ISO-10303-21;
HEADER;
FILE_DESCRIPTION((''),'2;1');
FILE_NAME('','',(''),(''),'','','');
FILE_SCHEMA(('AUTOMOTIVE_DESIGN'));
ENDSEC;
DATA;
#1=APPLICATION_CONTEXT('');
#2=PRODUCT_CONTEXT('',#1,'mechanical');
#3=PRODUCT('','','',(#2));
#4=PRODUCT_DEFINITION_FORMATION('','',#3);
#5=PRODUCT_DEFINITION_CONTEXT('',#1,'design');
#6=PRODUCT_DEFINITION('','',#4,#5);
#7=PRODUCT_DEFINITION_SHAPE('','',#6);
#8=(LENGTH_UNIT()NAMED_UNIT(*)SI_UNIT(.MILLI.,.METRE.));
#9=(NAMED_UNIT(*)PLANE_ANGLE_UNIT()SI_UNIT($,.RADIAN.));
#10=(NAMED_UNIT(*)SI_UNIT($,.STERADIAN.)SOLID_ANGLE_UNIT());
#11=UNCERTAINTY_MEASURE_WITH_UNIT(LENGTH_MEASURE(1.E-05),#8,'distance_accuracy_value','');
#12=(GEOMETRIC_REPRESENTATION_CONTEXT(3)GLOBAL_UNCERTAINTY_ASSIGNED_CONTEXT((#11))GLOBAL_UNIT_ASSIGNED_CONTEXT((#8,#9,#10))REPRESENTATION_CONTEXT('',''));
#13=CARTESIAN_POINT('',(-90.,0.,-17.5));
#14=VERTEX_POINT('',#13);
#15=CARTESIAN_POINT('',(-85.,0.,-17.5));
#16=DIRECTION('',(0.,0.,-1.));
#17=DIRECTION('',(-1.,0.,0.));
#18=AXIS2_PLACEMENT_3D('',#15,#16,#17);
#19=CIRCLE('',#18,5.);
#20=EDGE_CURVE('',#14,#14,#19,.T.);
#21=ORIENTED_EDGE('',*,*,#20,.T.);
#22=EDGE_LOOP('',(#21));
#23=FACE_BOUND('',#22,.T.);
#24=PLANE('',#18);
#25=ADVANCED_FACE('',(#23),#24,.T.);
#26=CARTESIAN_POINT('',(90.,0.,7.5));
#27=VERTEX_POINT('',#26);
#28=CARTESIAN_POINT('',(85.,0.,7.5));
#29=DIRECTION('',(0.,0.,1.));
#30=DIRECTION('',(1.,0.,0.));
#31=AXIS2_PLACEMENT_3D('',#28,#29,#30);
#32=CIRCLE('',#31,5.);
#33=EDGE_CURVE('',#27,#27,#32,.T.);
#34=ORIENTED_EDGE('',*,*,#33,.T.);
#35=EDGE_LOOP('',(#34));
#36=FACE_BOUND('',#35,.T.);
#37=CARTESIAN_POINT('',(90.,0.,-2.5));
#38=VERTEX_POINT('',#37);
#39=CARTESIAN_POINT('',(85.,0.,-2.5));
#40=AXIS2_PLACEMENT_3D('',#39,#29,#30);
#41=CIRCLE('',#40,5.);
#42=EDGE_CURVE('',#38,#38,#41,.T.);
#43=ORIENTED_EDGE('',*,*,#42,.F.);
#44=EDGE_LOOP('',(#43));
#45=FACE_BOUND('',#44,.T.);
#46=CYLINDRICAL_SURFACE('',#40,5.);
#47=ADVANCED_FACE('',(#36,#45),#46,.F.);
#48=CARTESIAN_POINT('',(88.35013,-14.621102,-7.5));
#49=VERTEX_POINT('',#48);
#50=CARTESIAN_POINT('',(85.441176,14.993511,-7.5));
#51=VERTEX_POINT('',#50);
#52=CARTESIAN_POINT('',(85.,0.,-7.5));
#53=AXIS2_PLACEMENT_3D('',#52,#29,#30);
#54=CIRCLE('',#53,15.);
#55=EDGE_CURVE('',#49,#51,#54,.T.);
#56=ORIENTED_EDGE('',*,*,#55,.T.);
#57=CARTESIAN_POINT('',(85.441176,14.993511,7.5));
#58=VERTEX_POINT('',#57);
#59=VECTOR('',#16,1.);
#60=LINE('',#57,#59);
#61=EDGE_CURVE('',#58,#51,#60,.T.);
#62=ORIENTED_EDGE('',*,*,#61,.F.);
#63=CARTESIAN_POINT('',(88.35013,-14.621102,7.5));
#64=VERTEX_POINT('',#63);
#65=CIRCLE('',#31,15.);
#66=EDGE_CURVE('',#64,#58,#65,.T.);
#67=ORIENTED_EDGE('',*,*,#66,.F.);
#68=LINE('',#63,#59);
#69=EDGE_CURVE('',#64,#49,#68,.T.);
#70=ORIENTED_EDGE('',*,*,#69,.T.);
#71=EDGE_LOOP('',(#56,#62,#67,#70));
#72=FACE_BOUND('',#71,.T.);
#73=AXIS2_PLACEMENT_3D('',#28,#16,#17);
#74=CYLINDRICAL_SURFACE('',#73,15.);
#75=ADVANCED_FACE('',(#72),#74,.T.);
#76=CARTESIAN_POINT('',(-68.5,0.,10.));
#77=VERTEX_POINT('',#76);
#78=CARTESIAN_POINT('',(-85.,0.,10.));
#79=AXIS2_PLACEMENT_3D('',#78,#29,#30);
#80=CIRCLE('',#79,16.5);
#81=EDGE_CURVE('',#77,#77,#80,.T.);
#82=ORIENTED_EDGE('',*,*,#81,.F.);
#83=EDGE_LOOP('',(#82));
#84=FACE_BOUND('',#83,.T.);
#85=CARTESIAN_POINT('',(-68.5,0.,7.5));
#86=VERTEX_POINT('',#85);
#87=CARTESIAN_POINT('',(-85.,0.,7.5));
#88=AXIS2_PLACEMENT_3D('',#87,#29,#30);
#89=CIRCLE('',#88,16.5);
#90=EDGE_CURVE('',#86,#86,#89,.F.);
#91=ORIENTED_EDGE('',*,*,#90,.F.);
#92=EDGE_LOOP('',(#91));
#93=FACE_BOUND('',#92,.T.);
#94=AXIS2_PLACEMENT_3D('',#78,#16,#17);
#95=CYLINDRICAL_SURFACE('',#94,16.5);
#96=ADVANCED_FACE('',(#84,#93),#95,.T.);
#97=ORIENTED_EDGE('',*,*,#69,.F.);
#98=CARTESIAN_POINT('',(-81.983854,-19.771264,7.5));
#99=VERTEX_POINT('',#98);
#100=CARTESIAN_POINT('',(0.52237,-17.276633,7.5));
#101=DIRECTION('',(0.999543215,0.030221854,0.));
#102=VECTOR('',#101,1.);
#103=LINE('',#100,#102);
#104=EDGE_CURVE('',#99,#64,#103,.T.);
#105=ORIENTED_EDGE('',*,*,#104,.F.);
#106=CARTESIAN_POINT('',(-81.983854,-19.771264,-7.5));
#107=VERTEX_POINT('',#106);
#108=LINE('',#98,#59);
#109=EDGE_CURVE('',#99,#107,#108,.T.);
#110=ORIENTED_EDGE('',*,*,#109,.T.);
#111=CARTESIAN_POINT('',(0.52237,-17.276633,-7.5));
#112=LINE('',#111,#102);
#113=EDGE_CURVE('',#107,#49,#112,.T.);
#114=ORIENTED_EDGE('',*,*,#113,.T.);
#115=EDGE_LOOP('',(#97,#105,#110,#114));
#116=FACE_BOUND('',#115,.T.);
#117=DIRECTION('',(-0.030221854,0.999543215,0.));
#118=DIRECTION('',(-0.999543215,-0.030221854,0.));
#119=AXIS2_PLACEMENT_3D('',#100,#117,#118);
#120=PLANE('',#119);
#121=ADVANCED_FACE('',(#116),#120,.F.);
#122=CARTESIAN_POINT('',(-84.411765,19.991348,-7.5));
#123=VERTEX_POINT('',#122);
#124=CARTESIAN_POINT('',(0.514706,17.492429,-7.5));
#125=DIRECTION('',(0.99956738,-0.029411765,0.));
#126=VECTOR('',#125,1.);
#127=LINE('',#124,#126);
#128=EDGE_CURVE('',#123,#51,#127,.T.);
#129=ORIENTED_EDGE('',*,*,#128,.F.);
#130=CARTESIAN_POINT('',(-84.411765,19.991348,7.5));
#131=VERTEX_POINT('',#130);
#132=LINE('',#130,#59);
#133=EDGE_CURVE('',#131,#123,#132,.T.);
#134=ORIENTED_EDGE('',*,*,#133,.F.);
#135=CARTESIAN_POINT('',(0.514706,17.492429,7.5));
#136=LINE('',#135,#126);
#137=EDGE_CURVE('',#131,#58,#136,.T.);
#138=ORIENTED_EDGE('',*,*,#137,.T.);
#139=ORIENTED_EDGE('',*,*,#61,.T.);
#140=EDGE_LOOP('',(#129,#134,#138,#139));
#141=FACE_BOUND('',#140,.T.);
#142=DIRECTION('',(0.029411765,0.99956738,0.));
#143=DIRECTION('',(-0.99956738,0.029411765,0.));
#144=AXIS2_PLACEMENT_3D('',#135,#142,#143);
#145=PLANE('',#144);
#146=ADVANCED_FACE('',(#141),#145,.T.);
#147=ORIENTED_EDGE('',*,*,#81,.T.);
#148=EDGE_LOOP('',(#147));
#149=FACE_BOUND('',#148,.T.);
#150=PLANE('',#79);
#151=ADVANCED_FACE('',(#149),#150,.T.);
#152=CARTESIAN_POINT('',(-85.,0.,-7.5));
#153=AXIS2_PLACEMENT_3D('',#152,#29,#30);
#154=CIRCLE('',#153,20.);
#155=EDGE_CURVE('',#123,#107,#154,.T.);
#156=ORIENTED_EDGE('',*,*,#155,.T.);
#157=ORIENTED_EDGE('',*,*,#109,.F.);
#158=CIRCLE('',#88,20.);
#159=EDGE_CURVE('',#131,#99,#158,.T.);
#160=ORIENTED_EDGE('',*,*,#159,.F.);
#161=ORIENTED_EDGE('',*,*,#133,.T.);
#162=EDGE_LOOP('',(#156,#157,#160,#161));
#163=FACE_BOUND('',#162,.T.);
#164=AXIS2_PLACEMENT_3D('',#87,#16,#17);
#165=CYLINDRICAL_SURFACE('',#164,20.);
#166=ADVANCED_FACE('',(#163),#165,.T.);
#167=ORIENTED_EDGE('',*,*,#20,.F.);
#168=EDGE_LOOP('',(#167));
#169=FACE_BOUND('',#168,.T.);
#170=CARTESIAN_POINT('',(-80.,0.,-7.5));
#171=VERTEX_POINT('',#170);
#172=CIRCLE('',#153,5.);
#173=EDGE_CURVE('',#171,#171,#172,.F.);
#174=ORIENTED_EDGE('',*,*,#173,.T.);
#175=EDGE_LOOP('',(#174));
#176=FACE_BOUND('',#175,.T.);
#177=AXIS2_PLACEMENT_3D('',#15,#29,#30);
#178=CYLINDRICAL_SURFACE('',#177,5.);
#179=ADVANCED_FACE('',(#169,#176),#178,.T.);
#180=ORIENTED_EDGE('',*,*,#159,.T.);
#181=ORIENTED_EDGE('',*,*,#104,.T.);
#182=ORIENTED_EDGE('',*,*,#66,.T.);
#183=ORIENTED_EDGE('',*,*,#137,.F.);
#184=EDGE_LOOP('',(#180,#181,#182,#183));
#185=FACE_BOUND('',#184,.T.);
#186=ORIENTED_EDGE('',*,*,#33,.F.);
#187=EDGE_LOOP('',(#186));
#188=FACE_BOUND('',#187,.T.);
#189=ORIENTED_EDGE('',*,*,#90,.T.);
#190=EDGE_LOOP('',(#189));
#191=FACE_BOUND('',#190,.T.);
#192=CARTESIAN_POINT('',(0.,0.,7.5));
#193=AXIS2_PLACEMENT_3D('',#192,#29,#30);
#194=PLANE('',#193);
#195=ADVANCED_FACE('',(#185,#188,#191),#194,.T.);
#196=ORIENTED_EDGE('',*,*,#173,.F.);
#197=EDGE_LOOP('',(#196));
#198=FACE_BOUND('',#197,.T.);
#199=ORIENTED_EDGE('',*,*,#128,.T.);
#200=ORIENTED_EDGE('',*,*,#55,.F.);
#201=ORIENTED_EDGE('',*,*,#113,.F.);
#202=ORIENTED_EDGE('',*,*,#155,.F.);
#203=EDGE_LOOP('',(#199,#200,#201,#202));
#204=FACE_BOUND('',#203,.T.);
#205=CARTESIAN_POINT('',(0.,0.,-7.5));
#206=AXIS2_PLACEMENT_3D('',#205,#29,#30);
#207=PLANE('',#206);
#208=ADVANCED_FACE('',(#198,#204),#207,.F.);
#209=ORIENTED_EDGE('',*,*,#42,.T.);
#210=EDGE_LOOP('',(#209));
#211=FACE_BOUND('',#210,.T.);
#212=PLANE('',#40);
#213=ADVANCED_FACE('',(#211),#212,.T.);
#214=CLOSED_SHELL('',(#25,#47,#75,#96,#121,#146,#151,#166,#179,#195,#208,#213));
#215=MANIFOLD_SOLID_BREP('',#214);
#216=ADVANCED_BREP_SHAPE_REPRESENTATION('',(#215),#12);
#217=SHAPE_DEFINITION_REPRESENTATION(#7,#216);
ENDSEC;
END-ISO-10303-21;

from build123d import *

# Parameters (mm, degrees)
BOSS_EXTRUDE1_DEPTH = 7.5
SKETCH3_R           = 16.5
BOSS_EXTRUDE2_DEPTH = 2.5
SKETCH6_R           = 5
CUT_EXTRUDE1_DEPTH  = 10
SKETCH7_R           = 5
BOSS_EXTRUDE3_DEPTH = 10


with BuildPart() as part:
    # Sketch1 → Boss-Extrude1 (new body, symmetric)
    with BuildSketch(Plane.XY):
        with BuildLine():
            Line((-81.983854392, -19.771263634), (88.350129521, -14.621102291))
            ThreePointArc((88.350129521, -14.621102291), (99.92815548, 1.466347152), (85.441176471, 14.993510707))
            Line((85.441176471, 14.993510707), (-84.411764706, 19.991347609))
            ThreePointArc((-84.411764706, 19.991347609), (-104.962820533, -1.218932468), (-81.983854392, -19.771263634))
        make_face()
    extrude(amount=BOSS_EXTRUDE1_DEPTH, both=True)

    # Sketch3 → Boss-Extrude2 (add, symmetric)
    with BuildSketch(Plane.XY.offset(7.5)):
        with Locations((-85, 0)):
            Circle(SKETCH3_R)
    extrude(amount=BOSS_EXTRUDE2_DEPTH, both=True)

    # Sketch6 → Cut-Extrude1 (cut)
    with BuildSketch(Plane.XY.offset(7.5)):
        with Locations((85, 0)):
            Circle(SKETCH6_R)
    extrude(amount=-CUT_EXTRUDE1_DEPTH, mode=Mode.SUBTRACT)

    # Sketch7 → Boss-Extrude3 (add)
    with BuildSketch(Plane(origin=(0, 0, -7.5), x_dir=(-1, 0, 0), z_dir=(0, 0, -1))):
        with Locations((85, 0)):
            Circle(SKETCH7_R)
    extrude(amount=BOSS_EXTRUDE3_DEPTH)


solid = part.part
